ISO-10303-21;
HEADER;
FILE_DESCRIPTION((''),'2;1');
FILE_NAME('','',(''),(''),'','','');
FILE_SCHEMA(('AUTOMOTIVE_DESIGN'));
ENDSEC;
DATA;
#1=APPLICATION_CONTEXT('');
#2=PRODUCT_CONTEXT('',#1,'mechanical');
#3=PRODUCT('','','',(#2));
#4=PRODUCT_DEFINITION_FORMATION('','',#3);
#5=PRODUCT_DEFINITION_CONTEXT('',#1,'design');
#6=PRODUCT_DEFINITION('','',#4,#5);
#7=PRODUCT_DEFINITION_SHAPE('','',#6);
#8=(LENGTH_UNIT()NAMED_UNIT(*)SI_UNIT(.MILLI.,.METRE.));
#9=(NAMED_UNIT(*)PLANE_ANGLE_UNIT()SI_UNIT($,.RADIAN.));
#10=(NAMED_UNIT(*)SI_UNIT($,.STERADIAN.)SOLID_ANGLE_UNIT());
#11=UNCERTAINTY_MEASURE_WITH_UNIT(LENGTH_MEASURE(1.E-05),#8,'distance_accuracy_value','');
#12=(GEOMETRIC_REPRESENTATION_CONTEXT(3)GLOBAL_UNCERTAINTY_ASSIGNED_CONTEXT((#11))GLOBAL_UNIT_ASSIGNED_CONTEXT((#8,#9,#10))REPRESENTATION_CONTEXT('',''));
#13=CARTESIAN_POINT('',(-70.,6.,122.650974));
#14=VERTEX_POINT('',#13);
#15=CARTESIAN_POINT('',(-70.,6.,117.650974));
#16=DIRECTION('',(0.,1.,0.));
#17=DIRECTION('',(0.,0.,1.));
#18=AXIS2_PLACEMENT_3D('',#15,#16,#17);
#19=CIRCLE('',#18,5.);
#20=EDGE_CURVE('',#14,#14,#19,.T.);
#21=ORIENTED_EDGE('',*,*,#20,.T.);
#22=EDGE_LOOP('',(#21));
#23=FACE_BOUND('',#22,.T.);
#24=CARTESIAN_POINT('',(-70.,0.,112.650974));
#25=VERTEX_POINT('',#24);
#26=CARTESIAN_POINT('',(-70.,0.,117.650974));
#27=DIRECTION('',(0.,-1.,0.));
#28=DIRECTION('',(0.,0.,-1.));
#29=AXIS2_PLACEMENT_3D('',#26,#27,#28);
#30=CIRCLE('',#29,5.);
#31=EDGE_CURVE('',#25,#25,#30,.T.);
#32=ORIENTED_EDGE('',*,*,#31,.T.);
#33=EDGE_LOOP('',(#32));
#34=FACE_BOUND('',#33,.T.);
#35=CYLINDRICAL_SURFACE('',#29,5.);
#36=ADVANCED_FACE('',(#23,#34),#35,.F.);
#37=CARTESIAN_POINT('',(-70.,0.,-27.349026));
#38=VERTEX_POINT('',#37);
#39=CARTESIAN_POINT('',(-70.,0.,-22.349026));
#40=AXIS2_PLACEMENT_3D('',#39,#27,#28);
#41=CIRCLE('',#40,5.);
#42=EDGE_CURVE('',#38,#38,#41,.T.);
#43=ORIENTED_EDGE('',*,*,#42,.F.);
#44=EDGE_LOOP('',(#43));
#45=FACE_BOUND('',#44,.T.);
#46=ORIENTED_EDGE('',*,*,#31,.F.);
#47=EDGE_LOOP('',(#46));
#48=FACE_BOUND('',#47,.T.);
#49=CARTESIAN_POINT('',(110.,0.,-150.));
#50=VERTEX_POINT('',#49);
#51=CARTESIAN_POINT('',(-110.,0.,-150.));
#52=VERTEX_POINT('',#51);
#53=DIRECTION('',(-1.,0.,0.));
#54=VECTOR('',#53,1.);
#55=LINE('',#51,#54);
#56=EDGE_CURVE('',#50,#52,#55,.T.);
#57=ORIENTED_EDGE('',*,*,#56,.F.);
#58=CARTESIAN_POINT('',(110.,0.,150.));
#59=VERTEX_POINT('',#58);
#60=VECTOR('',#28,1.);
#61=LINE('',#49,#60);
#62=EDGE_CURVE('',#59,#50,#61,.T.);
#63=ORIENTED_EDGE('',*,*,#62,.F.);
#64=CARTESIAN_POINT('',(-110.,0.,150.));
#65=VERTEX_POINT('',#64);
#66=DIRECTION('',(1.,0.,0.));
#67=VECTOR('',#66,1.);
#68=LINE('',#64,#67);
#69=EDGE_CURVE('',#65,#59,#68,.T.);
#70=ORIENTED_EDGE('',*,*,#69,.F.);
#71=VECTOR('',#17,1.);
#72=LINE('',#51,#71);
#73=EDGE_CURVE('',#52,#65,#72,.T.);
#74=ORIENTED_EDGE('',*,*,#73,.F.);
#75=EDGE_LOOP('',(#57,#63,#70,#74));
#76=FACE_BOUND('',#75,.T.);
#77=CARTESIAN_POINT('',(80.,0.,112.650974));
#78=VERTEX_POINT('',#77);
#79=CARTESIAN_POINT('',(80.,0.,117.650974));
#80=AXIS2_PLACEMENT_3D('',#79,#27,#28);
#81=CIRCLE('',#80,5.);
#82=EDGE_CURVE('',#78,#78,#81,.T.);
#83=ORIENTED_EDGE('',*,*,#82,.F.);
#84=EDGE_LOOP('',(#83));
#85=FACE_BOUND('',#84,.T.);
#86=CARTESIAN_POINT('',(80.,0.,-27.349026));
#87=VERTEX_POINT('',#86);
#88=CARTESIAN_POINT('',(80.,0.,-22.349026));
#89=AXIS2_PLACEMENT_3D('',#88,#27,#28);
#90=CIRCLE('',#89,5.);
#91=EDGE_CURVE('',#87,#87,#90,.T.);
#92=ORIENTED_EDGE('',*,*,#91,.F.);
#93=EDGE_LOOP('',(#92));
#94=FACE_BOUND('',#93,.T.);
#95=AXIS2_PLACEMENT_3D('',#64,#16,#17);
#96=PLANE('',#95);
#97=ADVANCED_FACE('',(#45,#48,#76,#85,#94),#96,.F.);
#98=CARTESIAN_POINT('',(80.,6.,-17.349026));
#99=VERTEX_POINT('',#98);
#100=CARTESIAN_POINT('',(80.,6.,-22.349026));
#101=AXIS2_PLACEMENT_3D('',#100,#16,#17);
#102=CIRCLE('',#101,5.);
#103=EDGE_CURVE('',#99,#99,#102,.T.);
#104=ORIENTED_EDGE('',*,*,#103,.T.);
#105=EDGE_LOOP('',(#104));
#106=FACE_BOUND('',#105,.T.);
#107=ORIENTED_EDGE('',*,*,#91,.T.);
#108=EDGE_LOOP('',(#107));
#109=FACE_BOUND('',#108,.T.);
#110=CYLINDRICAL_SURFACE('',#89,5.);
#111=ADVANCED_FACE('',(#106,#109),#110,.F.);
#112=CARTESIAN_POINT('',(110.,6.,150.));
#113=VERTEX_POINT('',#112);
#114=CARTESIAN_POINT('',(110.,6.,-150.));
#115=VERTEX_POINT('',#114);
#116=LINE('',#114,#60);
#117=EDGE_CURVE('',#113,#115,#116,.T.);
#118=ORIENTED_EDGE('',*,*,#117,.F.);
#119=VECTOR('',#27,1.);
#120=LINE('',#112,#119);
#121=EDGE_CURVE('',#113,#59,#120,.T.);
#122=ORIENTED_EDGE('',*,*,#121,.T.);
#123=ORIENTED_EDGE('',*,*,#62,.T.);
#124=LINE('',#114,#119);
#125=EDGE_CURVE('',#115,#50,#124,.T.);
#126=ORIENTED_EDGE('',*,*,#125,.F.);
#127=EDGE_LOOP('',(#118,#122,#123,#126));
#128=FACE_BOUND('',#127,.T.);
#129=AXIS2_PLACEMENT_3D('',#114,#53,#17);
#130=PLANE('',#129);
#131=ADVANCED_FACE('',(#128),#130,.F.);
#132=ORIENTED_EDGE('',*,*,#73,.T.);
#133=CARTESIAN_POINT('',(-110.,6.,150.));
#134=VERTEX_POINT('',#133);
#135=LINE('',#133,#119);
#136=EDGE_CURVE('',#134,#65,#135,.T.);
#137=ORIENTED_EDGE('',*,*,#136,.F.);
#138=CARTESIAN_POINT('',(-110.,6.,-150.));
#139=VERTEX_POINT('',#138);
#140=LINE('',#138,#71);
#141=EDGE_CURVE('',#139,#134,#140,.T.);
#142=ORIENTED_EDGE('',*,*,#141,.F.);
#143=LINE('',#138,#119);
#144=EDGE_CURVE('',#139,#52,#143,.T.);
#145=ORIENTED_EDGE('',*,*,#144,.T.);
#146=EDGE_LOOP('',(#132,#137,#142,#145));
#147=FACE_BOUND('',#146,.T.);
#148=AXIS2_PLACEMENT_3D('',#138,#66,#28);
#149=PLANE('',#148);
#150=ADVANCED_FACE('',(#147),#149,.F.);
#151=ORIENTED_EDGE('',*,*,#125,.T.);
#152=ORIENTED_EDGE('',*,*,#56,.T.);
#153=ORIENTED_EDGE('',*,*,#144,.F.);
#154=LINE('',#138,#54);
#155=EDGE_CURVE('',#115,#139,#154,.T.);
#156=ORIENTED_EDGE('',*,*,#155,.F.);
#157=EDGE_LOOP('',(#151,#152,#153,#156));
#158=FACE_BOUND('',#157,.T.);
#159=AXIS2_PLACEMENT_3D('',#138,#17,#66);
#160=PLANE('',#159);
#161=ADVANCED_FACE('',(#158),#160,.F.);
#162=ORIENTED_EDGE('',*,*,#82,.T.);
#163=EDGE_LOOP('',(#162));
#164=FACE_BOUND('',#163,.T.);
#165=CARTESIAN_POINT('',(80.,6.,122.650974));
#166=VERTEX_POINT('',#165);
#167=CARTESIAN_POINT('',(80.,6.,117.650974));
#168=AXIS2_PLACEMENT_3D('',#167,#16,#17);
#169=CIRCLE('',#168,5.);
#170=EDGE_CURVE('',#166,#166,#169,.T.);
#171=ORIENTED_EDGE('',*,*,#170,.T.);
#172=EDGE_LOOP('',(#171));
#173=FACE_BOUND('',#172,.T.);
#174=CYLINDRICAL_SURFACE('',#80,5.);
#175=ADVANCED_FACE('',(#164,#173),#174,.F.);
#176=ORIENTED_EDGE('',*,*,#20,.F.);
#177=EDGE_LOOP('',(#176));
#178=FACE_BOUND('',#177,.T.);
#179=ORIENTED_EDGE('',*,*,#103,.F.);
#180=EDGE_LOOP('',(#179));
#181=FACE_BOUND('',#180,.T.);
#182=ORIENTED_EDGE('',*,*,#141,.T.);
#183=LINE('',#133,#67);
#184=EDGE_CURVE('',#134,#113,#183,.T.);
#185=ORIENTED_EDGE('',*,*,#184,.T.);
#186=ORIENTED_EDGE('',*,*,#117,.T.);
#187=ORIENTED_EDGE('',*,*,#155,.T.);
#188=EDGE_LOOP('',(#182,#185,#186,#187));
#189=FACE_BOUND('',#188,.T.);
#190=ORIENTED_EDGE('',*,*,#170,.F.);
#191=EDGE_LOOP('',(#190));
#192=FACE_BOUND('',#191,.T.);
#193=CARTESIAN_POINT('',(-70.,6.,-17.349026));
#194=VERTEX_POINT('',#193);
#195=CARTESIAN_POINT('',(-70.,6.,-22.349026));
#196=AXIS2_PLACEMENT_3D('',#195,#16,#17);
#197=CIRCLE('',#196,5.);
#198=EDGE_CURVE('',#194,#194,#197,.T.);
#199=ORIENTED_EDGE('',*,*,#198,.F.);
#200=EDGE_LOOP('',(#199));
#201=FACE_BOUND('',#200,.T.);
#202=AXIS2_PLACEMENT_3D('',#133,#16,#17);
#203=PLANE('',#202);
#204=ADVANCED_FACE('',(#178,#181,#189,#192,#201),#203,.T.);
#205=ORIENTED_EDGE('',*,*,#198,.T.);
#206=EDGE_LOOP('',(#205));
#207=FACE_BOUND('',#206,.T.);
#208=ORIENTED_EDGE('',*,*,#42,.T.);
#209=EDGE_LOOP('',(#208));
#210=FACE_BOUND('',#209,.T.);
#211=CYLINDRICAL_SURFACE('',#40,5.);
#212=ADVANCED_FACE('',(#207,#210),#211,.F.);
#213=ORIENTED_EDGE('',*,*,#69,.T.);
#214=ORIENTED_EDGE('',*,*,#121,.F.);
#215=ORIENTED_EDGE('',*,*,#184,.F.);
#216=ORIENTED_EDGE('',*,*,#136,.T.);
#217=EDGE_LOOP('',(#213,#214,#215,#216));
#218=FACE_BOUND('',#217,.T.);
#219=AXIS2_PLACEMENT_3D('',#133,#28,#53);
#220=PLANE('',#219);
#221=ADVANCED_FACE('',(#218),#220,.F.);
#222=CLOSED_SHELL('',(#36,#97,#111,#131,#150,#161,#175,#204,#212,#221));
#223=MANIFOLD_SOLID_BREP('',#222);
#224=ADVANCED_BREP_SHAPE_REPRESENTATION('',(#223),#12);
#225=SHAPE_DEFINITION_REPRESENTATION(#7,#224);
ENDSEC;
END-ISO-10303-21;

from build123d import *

# Parameters (mm, degrees)
SKETCH1_W                      = 220
SKETCH1_H                      = 300
BOSS_EXTRUDE1_DEPTH            = 6
F_10_0_10_DIAMETER_HOLE1_D     = 10
F_10_0_10_DIAMETER_HOLE1_DEPTH = 11
F_10_0_10_DIAMETER_HOLE1_TIP   = 3.004303095


with BuildPart() as part:
    # Sketch1 → Boss-Extrude1 (new body)
    with BuildSketch(Plane(origin=(0, 0, 0), x_dir=(1, 0, 0), z_dir=(0, 1, 0))):
        Rectangle(SKETCH1_W, SKETCH1_H)
    extrude(amount=BOSS_EXTRUDE1_DEPTH)

    # Ø10.0 (10) Diameter Hole1
    with Locations(Plane.XZ):
        with Locations((-70, 117.650973616), (80, 117.650973616), (80, -22.349026384), (-70, -22.349026384)):
            Hole(F_10_0_10_DIAMETER_HOLE1_D / 2, depth=F_10_0_10_DIAMETER_HOLE1_DEPTH)
            with Locations((0, 0, -(F_10_0_10_DIAMETER_HOLE1_DEPTH + F_10_0_10_DIAMETER_HOLE1_TIP / 2))):  # 118° drill point
                Cone(0, F_10_0_10_DIAMETER_HOLE1_D / 2, F_10_0_10_DIAMETER_HOLE1_TIP, mode=Mode.SUBTRACT)


solid = part.part
